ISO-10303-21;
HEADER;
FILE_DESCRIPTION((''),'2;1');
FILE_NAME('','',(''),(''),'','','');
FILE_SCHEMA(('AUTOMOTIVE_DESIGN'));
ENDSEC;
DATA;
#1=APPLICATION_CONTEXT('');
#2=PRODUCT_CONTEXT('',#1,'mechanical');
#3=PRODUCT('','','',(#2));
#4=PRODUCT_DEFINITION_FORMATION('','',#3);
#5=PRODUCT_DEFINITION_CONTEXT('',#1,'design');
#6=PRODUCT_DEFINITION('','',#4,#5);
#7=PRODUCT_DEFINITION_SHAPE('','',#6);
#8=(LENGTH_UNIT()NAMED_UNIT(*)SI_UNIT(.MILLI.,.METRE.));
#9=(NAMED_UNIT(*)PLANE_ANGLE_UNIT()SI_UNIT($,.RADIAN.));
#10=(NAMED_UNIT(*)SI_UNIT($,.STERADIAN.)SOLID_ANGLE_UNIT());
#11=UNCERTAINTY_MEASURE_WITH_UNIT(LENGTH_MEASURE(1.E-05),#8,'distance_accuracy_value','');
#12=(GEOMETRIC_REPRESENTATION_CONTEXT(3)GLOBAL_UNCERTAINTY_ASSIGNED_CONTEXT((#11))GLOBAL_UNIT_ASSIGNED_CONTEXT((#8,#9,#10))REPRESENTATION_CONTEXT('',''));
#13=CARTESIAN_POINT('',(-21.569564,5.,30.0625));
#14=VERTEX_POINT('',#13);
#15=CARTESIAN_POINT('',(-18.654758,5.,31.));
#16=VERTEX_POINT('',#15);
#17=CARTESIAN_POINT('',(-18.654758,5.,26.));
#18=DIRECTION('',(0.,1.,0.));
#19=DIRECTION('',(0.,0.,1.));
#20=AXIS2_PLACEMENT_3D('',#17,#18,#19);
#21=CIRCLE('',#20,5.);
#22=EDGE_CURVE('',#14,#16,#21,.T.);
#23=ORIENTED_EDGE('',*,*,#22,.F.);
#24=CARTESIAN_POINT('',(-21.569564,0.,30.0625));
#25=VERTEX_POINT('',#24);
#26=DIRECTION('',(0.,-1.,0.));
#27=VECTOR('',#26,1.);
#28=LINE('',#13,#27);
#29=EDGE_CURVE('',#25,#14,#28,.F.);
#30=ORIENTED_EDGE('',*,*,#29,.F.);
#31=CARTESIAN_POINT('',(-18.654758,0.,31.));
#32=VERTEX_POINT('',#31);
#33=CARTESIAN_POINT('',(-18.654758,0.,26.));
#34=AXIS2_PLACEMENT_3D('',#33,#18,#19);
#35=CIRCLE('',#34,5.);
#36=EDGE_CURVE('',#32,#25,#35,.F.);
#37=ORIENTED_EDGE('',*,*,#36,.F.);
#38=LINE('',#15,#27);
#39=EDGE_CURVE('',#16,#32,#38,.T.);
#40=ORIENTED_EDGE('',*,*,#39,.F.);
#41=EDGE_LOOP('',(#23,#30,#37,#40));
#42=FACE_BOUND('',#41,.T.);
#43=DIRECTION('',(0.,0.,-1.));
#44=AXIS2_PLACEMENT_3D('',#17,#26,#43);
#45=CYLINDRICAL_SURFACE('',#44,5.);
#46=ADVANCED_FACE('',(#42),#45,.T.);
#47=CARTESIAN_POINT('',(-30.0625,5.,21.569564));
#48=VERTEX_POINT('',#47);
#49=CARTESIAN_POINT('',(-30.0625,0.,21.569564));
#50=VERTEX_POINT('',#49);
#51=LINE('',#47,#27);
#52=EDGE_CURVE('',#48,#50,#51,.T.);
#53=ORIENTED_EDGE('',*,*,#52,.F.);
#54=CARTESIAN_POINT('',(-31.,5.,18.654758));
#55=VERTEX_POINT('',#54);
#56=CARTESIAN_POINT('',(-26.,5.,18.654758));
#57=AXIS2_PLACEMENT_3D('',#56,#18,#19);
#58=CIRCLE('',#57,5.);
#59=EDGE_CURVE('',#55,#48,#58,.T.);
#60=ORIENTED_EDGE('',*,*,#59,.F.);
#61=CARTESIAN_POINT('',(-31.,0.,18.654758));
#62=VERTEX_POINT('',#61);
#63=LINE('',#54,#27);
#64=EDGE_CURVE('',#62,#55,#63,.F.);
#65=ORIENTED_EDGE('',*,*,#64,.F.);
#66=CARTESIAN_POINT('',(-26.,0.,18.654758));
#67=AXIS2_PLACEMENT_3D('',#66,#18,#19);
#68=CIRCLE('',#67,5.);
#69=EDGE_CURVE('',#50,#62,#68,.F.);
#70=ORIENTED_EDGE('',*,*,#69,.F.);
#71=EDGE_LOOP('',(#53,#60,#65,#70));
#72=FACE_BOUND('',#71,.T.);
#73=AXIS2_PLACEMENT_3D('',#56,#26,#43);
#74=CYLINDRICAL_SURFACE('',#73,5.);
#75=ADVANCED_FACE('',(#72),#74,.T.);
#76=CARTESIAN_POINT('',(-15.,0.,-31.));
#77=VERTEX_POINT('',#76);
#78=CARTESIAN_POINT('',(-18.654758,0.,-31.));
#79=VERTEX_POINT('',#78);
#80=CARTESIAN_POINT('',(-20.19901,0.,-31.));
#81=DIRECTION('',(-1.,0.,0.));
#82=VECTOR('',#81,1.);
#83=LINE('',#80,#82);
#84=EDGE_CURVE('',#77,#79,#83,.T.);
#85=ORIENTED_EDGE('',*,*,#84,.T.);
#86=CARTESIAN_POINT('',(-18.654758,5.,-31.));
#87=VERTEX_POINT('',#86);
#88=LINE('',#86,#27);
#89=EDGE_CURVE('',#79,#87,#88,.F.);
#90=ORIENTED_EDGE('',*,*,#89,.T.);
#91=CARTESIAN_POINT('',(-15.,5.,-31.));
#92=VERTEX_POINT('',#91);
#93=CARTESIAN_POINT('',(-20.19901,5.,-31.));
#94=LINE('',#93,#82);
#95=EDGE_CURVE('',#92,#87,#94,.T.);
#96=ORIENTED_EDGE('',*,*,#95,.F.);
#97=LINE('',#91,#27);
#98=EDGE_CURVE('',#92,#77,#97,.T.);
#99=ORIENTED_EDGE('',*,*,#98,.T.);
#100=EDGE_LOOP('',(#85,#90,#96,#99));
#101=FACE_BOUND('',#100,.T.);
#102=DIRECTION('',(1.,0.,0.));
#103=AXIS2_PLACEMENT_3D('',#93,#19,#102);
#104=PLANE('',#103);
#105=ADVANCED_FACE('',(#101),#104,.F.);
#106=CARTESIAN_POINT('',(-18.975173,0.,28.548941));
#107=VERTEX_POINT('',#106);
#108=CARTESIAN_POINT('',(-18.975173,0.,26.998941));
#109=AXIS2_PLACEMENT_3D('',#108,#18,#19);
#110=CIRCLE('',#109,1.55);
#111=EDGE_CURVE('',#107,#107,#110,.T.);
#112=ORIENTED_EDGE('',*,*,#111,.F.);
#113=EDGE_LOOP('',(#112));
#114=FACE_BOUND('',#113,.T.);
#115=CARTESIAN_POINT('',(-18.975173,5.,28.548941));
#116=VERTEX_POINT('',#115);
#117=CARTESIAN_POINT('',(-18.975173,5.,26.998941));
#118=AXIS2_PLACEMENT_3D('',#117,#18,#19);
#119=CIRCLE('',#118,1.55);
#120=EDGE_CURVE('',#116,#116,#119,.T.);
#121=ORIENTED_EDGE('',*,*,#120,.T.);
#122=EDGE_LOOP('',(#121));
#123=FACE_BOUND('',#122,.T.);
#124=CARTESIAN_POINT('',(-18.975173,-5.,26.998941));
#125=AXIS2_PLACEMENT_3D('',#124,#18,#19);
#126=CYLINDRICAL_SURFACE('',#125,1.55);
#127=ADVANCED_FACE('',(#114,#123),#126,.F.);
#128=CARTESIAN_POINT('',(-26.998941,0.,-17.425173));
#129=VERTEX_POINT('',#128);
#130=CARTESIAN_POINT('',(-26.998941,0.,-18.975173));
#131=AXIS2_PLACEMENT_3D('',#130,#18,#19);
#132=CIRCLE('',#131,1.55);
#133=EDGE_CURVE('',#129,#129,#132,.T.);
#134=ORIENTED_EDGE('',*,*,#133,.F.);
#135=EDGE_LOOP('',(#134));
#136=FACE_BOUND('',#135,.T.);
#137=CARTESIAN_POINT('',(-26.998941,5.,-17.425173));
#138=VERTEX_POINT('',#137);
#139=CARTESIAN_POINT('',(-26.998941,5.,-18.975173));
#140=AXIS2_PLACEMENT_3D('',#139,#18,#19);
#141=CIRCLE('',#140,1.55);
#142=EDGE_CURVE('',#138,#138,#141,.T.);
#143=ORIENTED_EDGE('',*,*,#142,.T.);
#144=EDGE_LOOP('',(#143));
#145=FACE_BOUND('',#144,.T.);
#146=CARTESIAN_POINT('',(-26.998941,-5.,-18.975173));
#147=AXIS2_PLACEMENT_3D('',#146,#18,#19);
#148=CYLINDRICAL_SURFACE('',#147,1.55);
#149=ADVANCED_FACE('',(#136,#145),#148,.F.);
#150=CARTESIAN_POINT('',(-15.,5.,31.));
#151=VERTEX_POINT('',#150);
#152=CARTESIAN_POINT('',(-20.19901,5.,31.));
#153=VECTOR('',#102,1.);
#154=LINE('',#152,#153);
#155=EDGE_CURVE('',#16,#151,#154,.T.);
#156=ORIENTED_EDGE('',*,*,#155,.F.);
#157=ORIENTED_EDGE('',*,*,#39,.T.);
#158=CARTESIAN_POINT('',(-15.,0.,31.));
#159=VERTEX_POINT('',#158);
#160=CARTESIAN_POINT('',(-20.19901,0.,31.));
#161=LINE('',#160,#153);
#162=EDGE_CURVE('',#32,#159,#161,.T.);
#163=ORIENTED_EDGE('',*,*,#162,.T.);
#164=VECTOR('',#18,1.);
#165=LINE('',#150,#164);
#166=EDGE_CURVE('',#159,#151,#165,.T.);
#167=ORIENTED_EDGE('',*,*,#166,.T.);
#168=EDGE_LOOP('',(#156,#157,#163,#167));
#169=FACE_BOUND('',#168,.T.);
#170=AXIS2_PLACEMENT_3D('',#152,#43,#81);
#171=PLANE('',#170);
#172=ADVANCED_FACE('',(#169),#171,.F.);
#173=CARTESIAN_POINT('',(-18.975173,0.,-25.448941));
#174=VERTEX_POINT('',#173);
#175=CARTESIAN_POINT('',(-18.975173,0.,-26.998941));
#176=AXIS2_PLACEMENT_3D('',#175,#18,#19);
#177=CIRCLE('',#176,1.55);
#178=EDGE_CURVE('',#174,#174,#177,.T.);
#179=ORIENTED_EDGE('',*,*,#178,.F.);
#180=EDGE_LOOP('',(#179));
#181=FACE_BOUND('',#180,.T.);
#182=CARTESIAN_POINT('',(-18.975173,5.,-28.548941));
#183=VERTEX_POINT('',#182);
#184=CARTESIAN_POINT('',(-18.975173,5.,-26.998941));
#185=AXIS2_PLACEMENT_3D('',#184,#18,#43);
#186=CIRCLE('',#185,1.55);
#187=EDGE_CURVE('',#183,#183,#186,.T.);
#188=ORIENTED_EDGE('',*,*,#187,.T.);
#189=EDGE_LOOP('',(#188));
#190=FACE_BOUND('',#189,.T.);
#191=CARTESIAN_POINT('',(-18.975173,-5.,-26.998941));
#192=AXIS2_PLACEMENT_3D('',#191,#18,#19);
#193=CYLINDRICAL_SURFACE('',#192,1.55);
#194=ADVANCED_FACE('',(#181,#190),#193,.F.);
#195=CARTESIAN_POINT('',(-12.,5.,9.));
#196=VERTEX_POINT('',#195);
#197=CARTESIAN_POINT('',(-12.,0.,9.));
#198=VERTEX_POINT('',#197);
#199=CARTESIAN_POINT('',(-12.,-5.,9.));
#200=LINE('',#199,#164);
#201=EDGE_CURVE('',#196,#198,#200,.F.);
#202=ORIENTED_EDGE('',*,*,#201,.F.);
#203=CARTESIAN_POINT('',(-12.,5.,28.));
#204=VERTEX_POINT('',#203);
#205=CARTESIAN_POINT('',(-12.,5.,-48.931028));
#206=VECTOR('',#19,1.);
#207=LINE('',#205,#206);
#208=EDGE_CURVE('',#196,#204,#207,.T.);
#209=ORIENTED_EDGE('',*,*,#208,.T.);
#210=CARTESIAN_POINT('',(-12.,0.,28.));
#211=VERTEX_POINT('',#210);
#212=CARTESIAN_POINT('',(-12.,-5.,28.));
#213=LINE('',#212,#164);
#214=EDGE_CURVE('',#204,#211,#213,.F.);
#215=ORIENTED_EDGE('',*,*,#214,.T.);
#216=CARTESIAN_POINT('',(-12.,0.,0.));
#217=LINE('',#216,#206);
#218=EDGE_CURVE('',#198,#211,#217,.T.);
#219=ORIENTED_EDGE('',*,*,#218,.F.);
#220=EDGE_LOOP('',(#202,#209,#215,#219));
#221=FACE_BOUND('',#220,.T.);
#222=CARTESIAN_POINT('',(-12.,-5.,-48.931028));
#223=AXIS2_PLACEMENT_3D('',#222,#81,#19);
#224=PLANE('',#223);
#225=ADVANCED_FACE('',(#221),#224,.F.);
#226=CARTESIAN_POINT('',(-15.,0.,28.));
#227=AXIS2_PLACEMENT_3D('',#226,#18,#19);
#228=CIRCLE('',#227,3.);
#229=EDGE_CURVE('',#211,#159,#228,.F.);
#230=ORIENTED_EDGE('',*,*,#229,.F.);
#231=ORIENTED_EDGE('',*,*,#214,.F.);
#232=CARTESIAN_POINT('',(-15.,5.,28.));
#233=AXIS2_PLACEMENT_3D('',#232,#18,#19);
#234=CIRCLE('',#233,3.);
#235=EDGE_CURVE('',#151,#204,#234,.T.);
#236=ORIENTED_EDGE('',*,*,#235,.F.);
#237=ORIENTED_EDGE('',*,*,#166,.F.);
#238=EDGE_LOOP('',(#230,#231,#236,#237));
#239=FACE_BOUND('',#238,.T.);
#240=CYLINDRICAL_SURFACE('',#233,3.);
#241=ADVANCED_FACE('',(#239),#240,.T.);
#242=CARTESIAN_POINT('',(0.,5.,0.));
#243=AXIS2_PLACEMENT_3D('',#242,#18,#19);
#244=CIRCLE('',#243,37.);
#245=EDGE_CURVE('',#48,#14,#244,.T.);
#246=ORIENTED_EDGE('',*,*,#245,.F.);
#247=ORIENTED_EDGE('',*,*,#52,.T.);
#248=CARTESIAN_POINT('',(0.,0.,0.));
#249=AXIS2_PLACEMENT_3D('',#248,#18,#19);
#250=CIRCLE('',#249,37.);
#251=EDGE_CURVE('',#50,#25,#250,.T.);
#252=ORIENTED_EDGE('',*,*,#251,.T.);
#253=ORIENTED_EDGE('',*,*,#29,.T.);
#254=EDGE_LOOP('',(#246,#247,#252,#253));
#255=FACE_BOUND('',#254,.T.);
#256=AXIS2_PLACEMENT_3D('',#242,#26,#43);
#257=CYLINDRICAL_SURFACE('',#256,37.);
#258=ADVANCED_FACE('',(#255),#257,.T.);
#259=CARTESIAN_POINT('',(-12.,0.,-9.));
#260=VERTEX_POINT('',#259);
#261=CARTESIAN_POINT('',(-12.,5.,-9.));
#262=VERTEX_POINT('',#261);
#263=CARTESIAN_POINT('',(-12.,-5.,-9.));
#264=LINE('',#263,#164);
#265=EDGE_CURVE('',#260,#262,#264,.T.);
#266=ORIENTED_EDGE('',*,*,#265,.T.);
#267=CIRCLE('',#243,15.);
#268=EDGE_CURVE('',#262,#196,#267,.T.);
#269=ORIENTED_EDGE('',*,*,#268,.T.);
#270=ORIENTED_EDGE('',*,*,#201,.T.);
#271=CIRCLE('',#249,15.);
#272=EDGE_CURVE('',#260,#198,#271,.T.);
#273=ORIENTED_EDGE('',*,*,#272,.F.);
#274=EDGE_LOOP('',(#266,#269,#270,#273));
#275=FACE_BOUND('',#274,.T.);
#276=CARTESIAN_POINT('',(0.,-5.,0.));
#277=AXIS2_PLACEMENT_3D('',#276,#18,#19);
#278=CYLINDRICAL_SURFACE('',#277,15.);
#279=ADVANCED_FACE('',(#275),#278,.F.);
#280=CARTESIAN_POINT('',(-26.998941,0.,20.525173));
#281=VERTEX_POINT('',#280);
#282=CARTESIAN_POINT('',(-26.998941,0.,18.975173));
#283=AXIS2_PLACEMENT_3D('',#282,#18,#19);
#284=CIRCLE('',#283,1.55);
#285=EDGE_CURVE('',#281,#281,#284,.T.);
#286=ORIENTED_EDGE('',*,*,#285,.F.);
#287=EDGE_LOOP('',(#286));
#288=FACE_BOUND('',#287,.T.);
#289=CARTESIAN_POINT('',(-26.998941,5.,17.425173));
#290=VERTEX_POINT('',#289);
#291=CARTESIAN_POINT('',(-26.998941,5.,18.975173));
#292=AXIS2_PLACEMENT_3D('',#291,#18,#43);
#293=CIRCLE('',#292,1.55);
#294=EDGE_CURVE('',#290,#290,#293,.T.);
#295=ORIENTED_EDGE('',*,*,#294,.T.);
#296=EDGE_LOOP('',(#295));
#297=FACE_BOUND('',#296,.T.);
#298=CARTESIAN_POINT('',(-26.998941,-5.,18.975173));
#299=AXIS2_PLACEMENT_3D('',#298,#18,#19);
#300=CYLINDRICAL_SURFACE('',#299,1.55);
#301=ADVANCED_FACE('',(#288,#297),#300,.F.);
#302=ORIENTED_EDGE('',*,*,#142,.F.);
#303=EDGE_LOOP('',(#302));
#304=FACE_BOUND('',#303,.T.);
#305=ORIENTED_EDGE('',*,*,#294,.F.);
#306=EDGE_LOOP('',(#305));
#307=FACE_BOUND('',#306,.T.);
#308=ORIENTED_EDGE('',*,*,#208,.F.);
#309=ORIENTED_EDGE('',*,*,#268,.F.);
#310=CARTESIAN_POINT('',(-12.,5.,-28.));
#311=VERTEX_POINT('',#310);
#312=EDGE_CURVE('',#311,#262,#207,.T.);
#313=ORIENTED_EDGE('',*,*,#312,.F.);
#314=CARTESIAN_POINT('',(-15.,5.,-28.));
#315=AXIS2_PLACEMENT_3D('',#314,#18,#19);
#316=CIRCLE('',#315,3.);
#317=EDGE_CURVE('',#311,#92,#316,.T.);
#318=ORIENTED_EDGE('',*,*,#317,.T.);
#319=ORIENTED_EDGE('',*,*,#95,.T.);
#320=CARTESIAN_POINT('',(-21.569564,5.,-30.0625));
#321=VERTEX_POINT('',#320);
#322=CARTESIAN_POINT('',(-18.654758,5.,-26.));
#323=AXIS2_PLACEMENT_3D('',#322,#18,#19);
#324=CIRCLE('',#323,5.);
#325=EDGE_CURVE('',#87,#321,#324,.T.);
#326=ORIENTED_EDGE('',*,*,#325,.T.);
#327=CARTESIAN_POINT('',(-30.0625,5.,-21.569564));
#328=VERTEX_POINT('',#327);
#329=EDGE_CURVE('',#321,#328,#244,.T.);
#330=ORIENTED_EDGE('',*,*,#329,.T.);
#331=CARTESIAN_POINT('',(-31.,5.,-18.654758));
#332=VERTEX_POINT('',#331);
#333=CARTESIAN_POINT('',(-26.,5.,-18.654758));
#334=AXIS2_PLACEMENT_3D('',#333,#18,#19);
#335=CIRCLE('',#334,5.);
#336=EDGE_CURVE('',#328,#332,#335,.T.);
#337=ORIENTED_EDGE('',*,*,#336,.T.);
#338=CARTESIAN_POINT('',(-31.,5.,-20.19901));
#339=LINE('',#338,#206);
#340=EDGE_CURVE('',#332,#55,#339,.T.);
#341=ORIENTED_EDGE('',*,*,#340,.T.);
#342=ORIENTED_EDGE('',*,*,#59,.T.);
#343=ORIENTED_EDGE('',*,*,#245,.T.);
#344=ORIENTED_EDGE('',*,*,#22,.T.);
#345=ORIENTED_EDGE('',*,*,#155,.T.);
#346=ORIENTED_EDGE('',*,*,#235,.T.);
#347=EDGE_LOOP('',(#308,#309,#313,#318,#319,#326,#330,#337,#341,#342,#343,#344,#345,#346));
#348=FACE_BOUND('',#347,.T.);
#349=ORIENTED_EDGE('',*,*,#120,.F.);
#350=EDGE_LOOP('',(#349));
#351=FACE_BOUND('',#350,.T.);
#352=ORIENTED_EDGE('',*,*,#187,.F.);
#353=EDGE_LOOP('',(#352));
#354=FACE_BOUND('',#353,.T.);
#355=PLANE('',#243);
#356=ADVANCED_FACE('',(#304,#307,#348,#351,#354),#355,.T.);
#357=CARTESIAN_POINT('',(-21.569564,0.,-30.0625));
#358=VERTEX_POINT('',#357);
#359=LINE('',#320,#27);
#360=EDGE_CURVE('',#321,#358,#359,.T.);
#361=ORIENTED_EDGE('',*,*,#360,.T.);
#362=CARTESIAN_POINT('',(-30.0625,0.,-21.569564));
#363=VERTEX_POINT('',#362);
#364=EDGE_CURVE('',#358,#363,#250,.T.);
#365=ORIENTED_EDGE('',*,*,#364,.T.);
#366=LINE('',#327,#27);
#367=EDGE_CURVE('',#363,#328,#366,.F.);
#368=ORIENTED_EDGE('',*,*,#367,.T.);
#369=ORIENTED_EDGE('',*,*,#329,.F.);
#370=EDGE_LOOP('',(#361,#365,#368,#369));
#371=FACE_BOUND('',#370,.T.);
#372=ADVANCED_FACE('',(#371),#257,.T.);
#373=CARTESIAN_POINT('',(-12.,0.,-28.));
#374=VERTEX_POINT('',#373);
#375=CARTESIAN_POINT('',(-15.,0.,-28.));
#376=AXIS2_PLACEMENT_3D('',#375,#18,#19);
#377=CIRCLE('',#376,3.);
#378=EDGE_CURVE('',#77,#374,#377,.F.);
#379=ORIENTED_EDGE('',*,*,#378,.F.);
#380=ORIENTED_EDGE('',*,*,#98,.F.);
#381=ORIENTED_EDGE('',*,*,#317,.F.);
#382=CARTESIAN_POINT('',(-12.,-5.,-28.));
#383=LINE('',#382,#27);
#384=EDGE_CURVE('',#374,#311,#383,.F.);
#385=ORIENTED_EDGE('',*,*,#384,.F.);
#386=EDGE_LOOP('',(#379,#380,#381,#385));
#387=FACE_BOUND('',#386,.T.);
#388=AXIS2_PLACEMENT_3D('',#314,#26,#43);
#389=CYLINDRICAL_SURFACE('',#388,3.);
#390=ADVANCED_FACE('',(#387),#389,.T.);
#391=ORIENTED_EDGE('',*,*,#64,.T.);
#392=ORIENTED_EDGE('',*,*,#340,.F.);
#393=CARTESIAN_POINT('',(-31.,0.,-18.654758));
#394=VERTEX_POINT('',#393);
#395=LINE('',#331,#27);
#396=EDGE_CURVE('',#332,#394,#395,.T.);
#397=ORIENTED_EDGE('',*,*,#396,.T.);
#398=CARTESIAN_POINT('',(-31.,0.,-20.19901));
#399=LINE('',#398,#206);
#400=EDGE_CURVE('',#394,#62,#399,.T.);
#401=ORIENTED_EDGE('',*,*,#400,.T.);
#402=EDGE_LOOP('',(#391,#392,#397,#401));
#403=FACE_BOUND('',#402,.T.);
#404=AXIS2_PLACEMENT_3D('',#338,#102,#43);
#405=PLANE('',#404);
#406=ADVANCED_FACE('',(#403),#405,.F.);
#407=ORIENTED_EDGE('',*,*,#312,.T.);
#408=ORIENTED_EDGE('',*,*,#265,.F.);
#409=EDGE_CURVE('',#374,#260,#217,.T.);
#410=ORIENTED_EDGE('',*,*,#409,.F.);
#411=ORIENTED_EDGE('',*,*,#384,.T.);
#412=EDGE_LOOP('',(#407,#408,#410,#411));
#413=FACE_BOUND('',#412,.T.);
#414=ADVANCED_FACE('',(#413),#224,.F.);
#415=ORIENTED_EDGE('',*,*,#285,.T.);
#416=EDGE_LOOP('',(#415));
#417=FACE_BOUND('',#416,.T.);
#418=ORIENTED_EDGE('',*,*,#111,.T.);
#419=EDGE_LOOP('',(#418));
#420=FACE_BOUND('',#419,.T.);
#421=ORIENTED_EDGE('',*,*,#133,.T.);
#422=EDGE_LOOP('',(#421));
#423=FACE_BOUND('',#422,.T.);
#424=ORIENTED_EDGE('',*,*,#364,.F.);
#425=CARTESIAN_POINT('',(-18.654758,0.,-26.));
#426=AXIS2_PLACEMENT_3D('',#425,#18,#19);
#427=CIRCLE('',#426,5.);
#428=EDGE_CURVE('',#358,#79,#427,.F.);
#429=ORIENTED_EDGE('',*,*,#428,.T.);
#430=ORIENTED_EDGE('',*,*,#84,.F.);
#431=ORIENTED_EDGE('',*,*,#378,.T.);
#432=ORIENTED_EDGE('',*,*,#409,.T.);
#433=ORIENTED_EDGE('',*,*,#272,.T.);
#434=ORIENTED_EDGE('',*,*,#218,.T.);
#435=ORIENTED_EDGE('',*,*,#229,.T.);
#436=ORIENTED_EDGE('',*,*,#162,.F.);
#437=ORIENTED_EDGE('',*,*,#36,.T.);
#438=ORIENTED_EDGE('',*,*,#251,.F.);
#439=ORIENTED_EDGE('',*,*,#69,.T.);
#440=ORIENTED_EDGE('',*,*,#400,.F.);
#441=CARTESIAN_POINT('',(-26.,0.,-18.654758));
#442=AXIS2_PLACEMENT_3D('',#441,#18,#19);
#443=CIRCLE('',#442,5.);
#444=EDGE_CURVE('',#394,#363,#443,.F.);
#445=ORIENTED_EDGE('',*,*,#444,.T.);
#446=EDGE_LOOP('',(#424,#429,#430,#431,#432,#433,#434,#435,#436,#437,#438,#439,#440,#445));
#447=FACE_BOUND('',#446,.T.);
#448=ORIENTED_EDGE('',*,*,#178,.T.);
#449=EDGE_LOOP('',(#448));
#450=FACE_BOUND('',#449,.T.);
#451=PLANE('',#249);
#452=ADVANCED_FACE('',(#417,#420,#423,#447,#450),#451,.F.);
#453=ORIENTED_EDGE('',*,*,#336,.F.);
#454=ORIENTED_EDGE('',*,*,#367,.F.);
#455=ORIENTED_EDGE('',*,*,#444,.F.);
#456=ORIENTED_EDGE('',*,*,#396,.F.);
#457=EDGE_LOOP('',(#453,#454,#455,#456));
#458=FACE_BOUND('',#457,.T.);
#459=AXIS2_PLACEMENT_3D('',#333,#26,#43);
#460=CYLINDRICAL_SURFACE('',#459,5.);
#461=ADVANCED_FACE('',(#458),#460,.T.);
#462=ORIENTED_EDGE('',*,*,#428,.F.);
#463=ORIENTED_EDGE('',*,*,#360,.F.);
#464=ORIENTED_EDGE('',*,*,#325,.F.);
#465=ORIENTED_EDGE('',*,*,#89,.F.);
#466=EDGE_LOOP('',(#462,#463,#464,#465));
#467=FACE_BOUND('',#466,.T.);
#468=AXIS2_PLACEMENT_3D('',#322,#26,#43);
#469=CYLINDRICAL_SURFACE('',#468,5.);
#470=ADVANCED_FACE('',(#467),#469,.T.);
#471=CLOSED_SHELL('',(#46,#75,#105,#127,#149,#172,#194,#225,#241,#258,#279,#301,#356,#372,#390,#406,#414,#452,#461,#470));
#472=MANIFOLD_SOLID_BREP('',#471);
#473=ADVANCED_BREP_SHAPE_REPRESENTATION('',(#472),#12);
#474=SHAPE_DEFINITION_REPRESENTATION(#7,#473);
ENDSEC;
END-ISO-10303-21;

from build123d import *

# Parameters (mm, degrees)
EXTRUDE_1_DEPTH     = 5
SKETCH_2_R          = 15
CUT_EXTRUDE_1_DEPTH = 10
SKETCH_3_R          = 1.55
CUT_EXTRUDE_2_DEPTH = 10
SKETCH_7_W          = 49.108203812
SKETCH_7_H          = 84.922292299
CUT_EXTRUDE_4_DEPTH = 10
FILLET_1_R          = 3
FILLET_2_R          = 5


with BuildPart() as part:
    # 草图1 → 凸台-拉伸1 (new body)
    with BuildSketch(Plane(origin=(0, 0, 0), x_dir=(1, 0, 0), z_dir=(0, 1, 0))):
        with BuildLine():
            Line((-20.199009877, 31), (20.199009877, 31))
            ThreePointArc((20.199009877, 31), (26.162950904, 26.162950904), (31, 20.199009877))
            Line((31, 20.199009877), (31, -20.199009877))
            ThreePointArc((31, -20.199009877), (26.162950904, -26.162950904), (20.199009877, -31))
            Line((20.199009877, -31), (-20.199009877, -31))
            ThreePointArc((-20.199009877, -31), (-26.162950904, -26.162950904), (-31, -20.199009877))
            Line((-31, -20.199009877), (-31, 20.199009877))
            ThreePointArc((-31, 20.199009877), (-26.162950904, 26.162950904), (-20.199009877, 31))
        make_face()
    extrude(amount=EXTRUDE_1_DEPTH)

    # 草图2 → 切除-拉伸1 (cut)
    with BuildSketch(Plane(origin=(0, 5, 0), x_dir=(1, 0, 0), z_dir=(0, 1, 0))):
        with Locations(Location((0, 0, 0), (0, 0, 270))):
            Circle(SKETCH_2_R)
    extrude(amount=-CUT_EXTRUDE_1_DEPTH, mode=Mode.SUBTRACT)

    # 草图3 → 切除-拉伸2 (cut)
    with BuildSketch(Plane(origin=(0, 5, 0), x_dir=(1, 0, 0), z_dir=(0, 1, 0))):
        with Locations(Location((-26.998940675, 18.975173317, 0), (0, 0, 270))):
            Circle(SKETCH_3_R)
        with Locations(Location((-18.975173317, 26.998940675, 0), (0, 0, 270))):
            Circle(SKETCH_3_R)
        with Locations(Location((26.998940675, 18.975173317, 0), (0, 0, 270))):
            Circle(SKETCH_3_R)
        with Locations(Location((18.975173317, 26.998940675, 0), (0, 0, 270))):
            Circle(SKETCH_3_R)
        with Locations(Location((26.998940675, -18.975173317, 0), (0, 0, 270))):
            Circle(SKETCH_3_R)
        with Locations(Location((18.975173317, -26.998940675, 0), (0, 0, 270))):
            Circle(SKETCH_3_R)
        with Locations(Location((-26.998940675, -18.975173317, 0), (0, 0, 270))):
            Circle(SKETCH_3_R)
        with Locations(Location((-18.975173317, -26.998940675, 0), (0, 0, 270))):
            Circle(SKETCH_3_R)
    extrude(amount=-CUT_EXTRUDE_2_DEPTH, mode=Mode.SUBTRACT)

    # 草图7 → 切除-拉伸4 (cut)
    with BuildSketch(Plane(origin=(0, 5, 0), x_dir=(1, 0, 0), z_dir=(0, 1, 0))):
        with Locations((12.554101906, 6.469881358)):
            Rectangle(SKETCH_7_W, SKETCH_7_H)
    extrude(amount=-CUT_EXTRUDE_4_DEPTH, mode=Mode.SUBTRACT)

    # 圆角1
    fillet_1_edges = [part.edges().sort_by_distance(p)[0] for p in [
        (-12, 2.5, 31),
        (-12, 2.5, -31),
    ]]
    fillet(fillet_1_edges, radius=FILLET_1_R)

    # 圆角2
    fillet_2_edges = [part.edges().sort_by_distance(p)[0] for p in [
        (-20.199009877, 2.5, -31),
        (-20.199009877, 2.5, 31),
        (-31, 2.5, 20.199009877),
        (-31, 2.5, -20.199009877),
    ]]
    fillet(fillet_2_edges, radius=FILLET_2_R)


solid = part.part
